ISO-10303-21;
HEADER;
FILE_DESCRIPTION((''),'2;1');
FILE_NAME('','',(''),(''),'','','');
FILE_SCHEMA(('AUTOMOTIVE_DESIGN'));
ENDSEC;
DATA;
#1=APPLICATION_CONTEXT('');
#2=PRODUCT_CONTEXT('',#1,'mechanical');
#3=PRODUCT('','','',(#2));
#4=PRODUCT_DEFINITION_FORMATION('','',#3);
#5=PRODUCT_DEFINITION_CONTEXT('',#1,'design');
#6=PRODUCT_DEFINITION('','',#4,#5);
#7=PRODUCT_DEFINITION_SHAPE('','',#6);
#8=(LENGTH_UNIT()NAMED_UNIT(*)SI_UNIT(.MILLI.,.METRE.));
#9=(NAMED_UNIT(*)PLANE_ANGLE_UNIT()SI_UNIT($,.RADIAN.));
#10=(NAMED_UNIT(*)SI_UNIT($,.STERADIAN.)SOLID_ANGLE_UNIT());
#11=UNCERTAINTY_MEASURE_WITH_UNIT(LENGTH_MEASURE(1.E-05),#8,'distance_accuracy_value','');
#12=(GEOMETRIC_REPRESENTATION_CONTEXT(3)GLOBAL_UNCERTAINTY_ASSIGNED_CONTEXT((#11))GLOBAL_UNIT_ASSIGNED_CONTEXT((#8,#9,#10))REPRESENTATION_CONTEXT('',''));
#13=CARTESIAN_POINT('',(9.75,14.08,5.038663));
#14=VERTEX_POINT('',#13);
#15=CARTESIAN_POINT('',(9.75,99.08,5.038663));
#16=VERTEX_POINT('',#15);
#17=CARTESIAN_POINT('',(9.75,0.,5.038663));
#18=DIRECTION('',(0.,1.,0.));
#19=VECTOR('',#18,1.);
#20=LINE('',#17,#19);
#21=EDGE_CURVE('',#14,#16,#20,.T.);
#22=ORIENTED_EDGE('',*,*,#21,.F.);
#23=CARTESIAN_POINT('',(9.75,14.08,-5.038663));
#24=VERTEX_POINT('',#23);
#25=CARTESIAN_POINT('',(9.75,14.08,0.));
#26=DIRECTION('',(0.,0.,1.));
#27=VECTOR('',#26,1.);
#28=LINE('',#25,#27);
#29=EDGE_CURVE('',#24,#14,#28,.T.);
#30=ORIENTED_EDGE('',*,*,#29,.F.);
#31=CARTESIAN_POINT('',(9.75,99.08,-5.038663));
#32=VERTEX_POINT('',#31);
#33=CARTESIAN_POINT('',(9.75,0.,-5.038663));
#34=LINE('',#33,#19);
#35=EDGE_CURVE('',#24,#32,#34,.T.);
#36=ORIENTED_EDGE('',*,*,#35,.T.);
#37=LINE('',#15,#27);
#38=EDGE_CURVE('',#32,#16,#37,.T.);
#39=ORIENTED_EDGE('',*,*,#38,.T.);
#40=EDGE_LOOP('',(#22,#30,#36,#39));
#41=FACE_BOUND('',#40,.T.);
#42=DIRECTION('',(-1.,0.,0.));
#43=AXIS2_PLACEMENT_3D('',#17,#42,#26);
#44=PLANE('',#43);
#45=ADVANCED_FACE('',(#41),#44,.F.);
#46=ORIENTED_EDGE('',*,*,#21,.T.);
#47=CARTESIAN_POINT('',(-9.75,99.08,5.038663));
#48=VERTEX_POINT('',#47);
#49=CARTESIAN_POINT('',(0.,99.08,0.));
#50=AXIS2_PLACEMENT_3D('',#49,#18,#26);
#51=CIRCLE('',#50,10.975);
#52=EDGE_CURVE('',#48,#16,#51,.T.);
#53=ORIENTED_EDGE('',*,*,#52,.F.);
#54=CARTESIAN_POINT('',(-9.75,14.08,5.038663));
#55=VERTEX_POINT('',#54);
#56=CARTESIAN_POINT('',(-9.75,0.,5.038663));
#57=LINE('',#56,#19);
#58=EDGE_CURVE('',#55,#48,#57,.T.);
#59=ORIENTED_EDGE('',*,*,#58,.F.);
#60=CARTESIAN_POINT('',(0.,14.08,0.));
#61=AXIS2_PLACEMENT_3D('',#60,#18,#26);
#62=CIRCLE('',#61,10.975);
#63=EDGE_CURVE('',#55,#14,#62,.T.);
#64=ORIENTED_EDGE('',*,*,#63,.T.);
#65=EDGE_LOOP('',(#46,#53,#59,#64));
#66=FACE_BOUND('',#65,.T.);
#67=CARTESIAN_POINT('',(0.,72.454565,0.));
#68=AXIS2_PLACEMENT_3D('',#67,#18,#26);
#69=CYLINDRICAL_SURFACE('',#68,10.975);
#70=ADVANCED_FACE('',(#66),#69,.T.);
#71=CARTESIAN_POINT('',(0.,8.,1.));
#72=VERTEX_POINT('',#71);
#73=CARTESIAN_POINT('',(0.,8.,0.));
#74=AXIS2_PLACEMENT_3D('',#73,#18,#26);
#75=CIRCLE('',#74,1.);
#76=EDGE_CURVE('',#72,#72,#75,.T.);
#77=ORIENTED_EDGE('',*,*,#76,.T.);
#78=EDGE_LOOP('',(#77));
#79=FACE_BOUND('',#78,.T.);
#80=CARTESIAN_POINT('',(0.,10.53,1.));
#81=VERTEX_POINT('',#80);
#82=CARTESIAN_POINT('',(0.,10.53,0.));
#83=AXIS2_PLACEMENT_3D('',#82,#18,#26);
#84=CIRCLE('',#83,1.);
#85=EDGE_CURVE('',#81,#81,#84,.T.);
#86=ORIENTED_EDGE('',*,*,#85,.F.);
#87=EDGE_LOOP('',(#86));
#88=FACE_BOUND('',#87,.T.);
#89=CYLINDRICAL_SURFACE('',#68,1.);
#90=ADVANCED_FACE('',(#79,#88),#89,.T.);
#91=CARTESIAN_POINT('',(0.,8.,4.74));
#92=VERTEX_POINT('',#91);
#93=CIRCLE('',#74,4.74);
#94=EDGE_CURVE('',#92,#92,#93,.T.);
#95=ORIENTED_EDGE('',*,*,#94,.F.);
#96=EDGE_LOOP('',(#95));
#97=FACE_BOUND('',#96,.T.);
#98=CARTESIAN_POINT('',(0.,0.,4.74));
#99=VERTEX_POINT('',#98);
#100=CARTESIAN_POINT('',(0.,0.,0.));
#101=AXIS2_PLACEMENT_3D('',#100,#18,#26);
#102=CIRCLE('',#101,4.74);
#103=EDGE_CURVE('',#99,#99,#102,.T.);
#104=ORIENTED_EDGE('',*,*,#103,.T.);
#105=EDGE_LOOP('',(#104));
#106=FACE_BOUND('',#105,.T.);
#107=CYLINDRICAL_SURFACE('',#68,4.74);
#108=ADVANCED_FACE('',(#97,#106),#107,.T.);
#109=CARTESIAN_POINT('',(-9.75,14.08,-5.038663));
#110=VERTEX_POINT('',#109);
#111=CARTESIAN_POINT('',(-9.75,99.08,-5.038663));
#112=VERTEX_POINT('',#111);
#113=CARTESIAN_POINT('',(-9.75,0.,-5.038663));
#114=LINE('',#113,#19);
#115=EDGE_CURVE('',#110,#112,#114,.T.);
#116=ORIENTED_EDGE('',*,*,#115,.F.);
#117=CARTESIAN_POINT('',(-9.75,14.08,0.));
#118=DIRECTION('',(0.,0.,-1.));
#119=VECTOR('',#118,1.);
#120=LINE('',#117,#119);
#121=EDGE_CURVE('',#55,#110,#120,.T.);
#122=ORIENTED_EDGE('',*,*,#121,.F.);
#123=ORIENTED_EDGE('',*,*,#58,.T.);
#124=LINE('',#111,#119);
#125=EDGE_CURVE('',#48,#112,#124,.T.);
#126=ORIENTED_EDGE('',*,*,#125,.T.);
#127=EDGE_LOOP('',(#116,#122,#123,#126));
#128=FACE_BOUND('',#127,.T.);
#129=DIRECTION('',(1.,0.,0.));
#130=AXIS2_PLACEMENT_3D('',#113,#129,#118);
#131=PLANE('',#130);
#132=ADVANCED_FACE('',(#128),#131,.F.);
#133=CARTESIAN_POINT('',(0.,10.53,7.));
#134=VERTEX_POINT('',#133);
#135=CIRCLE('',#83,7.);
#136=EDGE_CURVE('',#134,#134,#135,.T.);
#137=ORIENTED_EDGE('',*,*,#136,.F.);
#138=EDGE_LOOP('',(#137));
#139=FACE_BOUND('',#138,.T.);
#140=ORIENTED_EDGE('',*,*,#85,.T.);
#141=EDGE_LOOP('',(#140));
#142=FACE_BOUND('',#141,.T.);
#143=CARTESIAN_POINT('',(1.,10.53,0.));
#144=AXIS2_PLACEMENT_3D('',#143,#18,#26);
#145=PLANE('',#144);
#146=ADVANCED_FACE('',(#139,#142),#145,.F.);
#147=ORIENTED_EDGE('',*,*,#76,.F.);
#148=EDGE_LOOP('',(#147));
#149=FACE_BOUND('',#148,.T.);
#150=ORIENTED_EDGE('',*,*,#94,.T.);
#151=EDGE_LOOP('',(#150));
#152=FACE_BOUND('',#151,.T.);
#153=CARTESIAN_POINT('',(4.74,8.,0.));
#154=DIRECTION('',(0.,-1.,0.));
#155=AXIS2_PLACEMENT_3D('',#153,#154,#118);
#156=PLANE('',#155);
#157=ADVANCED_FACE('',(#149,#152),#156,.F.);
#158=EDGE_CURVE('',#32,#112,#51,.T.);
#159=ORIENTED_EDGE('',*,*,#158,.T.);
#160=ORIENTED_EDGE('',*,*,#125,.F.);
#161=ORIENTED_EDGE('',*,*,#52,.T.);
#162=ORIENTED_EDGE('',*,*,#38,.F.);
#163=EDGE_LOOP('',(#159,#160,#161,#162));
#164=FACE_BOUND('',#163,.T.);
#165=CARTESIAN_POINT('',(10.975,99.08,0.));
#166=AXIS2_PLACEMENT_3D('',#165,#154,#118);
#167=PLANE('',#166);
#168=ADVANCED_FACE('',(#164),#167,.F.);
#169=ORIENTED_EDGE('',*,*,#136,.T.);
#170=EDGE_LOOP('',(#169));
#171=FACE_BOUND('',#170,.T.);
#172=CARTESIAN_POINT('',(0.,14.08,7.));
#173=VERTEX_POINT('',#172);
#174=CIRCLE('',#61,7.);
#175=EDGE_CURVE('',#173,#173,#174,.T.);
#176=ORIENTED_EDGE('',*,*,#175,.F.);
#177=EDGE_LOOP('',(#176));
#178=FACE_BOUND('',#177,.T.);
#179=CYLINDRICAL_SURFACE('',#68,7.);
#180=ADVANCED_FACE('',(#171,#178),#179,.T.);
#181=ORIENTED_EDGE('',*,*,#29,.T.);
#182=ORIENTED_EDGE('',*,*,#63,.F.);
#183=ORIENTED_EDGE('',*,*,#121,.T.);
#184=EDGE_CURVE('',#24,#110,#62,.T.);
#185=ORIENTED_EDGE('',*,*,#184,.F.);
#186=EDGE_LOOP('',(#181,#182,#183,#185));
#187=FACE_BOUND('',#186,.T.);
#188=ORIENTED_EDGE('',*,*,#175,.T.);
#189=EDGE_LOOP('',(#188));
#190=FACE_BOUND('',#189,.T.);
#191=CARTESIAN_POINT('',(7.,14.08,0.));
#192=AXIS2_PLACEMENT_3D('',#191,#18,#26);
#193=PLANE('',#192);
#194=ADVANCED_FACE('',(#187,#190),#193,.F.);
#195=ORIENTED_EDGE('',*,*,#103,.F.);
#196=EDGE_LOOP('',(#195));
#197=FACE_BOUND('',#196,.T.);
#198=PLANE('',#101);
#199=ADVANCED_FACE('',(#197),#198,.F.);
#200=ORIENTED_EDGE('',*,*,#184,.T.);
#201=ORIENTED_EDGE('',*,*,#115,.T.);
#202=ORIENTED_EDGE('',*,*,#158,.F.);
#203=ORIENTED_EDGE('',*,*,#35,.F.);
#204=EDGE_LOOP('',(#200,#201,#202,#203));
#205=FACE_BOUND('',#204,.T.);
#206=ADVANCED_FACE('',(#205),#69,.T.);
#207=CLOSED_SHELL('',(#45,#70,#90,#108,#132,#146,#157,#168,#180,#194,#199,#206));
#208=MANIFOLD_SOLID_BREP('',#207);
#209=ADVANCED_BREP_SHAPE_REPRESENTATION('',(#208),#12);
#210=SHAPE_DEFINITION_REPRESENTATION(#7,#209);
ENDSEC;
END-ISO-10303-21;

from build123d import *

# Parameters (mm, degrees)
CUT_EXTRUDE1_DEPTH = 101.2883226


with BuildPart() as part:
    # Sketch1 → Revolve1 (revolve)
    with BuildSketch(Plane.XY, mode=Mode.PRIVATE) as revolve1_sk:
        Polygon((0, 0), (4.74, 0), (4.74, 8), (1, 8), (1, 10.53), (7, 10.53), (7, 14.08), (10.975, 14.08), (10.975, 99.08), (0, 99.08), align=None)
    revolve(revolve1_sk.sketch.rotate(Axis((0, 72.454564891, 0), (0, -1, 0)), 90), axis=Axis((0, 72.454564891, 0), (0, -1, 0)))

    # Sketch2 → Cut-Extrude1 (cut, through all)
    with BuildSketch(Plane(origin=(0, 99.08, 0), x_dir=(1, 0, 0), z_dir=(0, 1, 0))):
        with BuildLine():
            Line((-9.75, 5.038663017), (-9.75, -5.038663017))
            ThreePointArc((-9.75, -5.038663017), (-10.975, 0), (-9.75, 5.038663017))
        make_face()
        with BuildLine():
            Line((9.75, -5.038663017), (9.75, 5.038663017))
            ThreePointArc((9.75, 5.038663017), (10.975, 0), (9.75, -5.038663017))
        make_face()
    extrude(amount=-CUT_EXTRUDE1_DEPTH, mode=Mode.SUBTRACT)


solid = part.part
